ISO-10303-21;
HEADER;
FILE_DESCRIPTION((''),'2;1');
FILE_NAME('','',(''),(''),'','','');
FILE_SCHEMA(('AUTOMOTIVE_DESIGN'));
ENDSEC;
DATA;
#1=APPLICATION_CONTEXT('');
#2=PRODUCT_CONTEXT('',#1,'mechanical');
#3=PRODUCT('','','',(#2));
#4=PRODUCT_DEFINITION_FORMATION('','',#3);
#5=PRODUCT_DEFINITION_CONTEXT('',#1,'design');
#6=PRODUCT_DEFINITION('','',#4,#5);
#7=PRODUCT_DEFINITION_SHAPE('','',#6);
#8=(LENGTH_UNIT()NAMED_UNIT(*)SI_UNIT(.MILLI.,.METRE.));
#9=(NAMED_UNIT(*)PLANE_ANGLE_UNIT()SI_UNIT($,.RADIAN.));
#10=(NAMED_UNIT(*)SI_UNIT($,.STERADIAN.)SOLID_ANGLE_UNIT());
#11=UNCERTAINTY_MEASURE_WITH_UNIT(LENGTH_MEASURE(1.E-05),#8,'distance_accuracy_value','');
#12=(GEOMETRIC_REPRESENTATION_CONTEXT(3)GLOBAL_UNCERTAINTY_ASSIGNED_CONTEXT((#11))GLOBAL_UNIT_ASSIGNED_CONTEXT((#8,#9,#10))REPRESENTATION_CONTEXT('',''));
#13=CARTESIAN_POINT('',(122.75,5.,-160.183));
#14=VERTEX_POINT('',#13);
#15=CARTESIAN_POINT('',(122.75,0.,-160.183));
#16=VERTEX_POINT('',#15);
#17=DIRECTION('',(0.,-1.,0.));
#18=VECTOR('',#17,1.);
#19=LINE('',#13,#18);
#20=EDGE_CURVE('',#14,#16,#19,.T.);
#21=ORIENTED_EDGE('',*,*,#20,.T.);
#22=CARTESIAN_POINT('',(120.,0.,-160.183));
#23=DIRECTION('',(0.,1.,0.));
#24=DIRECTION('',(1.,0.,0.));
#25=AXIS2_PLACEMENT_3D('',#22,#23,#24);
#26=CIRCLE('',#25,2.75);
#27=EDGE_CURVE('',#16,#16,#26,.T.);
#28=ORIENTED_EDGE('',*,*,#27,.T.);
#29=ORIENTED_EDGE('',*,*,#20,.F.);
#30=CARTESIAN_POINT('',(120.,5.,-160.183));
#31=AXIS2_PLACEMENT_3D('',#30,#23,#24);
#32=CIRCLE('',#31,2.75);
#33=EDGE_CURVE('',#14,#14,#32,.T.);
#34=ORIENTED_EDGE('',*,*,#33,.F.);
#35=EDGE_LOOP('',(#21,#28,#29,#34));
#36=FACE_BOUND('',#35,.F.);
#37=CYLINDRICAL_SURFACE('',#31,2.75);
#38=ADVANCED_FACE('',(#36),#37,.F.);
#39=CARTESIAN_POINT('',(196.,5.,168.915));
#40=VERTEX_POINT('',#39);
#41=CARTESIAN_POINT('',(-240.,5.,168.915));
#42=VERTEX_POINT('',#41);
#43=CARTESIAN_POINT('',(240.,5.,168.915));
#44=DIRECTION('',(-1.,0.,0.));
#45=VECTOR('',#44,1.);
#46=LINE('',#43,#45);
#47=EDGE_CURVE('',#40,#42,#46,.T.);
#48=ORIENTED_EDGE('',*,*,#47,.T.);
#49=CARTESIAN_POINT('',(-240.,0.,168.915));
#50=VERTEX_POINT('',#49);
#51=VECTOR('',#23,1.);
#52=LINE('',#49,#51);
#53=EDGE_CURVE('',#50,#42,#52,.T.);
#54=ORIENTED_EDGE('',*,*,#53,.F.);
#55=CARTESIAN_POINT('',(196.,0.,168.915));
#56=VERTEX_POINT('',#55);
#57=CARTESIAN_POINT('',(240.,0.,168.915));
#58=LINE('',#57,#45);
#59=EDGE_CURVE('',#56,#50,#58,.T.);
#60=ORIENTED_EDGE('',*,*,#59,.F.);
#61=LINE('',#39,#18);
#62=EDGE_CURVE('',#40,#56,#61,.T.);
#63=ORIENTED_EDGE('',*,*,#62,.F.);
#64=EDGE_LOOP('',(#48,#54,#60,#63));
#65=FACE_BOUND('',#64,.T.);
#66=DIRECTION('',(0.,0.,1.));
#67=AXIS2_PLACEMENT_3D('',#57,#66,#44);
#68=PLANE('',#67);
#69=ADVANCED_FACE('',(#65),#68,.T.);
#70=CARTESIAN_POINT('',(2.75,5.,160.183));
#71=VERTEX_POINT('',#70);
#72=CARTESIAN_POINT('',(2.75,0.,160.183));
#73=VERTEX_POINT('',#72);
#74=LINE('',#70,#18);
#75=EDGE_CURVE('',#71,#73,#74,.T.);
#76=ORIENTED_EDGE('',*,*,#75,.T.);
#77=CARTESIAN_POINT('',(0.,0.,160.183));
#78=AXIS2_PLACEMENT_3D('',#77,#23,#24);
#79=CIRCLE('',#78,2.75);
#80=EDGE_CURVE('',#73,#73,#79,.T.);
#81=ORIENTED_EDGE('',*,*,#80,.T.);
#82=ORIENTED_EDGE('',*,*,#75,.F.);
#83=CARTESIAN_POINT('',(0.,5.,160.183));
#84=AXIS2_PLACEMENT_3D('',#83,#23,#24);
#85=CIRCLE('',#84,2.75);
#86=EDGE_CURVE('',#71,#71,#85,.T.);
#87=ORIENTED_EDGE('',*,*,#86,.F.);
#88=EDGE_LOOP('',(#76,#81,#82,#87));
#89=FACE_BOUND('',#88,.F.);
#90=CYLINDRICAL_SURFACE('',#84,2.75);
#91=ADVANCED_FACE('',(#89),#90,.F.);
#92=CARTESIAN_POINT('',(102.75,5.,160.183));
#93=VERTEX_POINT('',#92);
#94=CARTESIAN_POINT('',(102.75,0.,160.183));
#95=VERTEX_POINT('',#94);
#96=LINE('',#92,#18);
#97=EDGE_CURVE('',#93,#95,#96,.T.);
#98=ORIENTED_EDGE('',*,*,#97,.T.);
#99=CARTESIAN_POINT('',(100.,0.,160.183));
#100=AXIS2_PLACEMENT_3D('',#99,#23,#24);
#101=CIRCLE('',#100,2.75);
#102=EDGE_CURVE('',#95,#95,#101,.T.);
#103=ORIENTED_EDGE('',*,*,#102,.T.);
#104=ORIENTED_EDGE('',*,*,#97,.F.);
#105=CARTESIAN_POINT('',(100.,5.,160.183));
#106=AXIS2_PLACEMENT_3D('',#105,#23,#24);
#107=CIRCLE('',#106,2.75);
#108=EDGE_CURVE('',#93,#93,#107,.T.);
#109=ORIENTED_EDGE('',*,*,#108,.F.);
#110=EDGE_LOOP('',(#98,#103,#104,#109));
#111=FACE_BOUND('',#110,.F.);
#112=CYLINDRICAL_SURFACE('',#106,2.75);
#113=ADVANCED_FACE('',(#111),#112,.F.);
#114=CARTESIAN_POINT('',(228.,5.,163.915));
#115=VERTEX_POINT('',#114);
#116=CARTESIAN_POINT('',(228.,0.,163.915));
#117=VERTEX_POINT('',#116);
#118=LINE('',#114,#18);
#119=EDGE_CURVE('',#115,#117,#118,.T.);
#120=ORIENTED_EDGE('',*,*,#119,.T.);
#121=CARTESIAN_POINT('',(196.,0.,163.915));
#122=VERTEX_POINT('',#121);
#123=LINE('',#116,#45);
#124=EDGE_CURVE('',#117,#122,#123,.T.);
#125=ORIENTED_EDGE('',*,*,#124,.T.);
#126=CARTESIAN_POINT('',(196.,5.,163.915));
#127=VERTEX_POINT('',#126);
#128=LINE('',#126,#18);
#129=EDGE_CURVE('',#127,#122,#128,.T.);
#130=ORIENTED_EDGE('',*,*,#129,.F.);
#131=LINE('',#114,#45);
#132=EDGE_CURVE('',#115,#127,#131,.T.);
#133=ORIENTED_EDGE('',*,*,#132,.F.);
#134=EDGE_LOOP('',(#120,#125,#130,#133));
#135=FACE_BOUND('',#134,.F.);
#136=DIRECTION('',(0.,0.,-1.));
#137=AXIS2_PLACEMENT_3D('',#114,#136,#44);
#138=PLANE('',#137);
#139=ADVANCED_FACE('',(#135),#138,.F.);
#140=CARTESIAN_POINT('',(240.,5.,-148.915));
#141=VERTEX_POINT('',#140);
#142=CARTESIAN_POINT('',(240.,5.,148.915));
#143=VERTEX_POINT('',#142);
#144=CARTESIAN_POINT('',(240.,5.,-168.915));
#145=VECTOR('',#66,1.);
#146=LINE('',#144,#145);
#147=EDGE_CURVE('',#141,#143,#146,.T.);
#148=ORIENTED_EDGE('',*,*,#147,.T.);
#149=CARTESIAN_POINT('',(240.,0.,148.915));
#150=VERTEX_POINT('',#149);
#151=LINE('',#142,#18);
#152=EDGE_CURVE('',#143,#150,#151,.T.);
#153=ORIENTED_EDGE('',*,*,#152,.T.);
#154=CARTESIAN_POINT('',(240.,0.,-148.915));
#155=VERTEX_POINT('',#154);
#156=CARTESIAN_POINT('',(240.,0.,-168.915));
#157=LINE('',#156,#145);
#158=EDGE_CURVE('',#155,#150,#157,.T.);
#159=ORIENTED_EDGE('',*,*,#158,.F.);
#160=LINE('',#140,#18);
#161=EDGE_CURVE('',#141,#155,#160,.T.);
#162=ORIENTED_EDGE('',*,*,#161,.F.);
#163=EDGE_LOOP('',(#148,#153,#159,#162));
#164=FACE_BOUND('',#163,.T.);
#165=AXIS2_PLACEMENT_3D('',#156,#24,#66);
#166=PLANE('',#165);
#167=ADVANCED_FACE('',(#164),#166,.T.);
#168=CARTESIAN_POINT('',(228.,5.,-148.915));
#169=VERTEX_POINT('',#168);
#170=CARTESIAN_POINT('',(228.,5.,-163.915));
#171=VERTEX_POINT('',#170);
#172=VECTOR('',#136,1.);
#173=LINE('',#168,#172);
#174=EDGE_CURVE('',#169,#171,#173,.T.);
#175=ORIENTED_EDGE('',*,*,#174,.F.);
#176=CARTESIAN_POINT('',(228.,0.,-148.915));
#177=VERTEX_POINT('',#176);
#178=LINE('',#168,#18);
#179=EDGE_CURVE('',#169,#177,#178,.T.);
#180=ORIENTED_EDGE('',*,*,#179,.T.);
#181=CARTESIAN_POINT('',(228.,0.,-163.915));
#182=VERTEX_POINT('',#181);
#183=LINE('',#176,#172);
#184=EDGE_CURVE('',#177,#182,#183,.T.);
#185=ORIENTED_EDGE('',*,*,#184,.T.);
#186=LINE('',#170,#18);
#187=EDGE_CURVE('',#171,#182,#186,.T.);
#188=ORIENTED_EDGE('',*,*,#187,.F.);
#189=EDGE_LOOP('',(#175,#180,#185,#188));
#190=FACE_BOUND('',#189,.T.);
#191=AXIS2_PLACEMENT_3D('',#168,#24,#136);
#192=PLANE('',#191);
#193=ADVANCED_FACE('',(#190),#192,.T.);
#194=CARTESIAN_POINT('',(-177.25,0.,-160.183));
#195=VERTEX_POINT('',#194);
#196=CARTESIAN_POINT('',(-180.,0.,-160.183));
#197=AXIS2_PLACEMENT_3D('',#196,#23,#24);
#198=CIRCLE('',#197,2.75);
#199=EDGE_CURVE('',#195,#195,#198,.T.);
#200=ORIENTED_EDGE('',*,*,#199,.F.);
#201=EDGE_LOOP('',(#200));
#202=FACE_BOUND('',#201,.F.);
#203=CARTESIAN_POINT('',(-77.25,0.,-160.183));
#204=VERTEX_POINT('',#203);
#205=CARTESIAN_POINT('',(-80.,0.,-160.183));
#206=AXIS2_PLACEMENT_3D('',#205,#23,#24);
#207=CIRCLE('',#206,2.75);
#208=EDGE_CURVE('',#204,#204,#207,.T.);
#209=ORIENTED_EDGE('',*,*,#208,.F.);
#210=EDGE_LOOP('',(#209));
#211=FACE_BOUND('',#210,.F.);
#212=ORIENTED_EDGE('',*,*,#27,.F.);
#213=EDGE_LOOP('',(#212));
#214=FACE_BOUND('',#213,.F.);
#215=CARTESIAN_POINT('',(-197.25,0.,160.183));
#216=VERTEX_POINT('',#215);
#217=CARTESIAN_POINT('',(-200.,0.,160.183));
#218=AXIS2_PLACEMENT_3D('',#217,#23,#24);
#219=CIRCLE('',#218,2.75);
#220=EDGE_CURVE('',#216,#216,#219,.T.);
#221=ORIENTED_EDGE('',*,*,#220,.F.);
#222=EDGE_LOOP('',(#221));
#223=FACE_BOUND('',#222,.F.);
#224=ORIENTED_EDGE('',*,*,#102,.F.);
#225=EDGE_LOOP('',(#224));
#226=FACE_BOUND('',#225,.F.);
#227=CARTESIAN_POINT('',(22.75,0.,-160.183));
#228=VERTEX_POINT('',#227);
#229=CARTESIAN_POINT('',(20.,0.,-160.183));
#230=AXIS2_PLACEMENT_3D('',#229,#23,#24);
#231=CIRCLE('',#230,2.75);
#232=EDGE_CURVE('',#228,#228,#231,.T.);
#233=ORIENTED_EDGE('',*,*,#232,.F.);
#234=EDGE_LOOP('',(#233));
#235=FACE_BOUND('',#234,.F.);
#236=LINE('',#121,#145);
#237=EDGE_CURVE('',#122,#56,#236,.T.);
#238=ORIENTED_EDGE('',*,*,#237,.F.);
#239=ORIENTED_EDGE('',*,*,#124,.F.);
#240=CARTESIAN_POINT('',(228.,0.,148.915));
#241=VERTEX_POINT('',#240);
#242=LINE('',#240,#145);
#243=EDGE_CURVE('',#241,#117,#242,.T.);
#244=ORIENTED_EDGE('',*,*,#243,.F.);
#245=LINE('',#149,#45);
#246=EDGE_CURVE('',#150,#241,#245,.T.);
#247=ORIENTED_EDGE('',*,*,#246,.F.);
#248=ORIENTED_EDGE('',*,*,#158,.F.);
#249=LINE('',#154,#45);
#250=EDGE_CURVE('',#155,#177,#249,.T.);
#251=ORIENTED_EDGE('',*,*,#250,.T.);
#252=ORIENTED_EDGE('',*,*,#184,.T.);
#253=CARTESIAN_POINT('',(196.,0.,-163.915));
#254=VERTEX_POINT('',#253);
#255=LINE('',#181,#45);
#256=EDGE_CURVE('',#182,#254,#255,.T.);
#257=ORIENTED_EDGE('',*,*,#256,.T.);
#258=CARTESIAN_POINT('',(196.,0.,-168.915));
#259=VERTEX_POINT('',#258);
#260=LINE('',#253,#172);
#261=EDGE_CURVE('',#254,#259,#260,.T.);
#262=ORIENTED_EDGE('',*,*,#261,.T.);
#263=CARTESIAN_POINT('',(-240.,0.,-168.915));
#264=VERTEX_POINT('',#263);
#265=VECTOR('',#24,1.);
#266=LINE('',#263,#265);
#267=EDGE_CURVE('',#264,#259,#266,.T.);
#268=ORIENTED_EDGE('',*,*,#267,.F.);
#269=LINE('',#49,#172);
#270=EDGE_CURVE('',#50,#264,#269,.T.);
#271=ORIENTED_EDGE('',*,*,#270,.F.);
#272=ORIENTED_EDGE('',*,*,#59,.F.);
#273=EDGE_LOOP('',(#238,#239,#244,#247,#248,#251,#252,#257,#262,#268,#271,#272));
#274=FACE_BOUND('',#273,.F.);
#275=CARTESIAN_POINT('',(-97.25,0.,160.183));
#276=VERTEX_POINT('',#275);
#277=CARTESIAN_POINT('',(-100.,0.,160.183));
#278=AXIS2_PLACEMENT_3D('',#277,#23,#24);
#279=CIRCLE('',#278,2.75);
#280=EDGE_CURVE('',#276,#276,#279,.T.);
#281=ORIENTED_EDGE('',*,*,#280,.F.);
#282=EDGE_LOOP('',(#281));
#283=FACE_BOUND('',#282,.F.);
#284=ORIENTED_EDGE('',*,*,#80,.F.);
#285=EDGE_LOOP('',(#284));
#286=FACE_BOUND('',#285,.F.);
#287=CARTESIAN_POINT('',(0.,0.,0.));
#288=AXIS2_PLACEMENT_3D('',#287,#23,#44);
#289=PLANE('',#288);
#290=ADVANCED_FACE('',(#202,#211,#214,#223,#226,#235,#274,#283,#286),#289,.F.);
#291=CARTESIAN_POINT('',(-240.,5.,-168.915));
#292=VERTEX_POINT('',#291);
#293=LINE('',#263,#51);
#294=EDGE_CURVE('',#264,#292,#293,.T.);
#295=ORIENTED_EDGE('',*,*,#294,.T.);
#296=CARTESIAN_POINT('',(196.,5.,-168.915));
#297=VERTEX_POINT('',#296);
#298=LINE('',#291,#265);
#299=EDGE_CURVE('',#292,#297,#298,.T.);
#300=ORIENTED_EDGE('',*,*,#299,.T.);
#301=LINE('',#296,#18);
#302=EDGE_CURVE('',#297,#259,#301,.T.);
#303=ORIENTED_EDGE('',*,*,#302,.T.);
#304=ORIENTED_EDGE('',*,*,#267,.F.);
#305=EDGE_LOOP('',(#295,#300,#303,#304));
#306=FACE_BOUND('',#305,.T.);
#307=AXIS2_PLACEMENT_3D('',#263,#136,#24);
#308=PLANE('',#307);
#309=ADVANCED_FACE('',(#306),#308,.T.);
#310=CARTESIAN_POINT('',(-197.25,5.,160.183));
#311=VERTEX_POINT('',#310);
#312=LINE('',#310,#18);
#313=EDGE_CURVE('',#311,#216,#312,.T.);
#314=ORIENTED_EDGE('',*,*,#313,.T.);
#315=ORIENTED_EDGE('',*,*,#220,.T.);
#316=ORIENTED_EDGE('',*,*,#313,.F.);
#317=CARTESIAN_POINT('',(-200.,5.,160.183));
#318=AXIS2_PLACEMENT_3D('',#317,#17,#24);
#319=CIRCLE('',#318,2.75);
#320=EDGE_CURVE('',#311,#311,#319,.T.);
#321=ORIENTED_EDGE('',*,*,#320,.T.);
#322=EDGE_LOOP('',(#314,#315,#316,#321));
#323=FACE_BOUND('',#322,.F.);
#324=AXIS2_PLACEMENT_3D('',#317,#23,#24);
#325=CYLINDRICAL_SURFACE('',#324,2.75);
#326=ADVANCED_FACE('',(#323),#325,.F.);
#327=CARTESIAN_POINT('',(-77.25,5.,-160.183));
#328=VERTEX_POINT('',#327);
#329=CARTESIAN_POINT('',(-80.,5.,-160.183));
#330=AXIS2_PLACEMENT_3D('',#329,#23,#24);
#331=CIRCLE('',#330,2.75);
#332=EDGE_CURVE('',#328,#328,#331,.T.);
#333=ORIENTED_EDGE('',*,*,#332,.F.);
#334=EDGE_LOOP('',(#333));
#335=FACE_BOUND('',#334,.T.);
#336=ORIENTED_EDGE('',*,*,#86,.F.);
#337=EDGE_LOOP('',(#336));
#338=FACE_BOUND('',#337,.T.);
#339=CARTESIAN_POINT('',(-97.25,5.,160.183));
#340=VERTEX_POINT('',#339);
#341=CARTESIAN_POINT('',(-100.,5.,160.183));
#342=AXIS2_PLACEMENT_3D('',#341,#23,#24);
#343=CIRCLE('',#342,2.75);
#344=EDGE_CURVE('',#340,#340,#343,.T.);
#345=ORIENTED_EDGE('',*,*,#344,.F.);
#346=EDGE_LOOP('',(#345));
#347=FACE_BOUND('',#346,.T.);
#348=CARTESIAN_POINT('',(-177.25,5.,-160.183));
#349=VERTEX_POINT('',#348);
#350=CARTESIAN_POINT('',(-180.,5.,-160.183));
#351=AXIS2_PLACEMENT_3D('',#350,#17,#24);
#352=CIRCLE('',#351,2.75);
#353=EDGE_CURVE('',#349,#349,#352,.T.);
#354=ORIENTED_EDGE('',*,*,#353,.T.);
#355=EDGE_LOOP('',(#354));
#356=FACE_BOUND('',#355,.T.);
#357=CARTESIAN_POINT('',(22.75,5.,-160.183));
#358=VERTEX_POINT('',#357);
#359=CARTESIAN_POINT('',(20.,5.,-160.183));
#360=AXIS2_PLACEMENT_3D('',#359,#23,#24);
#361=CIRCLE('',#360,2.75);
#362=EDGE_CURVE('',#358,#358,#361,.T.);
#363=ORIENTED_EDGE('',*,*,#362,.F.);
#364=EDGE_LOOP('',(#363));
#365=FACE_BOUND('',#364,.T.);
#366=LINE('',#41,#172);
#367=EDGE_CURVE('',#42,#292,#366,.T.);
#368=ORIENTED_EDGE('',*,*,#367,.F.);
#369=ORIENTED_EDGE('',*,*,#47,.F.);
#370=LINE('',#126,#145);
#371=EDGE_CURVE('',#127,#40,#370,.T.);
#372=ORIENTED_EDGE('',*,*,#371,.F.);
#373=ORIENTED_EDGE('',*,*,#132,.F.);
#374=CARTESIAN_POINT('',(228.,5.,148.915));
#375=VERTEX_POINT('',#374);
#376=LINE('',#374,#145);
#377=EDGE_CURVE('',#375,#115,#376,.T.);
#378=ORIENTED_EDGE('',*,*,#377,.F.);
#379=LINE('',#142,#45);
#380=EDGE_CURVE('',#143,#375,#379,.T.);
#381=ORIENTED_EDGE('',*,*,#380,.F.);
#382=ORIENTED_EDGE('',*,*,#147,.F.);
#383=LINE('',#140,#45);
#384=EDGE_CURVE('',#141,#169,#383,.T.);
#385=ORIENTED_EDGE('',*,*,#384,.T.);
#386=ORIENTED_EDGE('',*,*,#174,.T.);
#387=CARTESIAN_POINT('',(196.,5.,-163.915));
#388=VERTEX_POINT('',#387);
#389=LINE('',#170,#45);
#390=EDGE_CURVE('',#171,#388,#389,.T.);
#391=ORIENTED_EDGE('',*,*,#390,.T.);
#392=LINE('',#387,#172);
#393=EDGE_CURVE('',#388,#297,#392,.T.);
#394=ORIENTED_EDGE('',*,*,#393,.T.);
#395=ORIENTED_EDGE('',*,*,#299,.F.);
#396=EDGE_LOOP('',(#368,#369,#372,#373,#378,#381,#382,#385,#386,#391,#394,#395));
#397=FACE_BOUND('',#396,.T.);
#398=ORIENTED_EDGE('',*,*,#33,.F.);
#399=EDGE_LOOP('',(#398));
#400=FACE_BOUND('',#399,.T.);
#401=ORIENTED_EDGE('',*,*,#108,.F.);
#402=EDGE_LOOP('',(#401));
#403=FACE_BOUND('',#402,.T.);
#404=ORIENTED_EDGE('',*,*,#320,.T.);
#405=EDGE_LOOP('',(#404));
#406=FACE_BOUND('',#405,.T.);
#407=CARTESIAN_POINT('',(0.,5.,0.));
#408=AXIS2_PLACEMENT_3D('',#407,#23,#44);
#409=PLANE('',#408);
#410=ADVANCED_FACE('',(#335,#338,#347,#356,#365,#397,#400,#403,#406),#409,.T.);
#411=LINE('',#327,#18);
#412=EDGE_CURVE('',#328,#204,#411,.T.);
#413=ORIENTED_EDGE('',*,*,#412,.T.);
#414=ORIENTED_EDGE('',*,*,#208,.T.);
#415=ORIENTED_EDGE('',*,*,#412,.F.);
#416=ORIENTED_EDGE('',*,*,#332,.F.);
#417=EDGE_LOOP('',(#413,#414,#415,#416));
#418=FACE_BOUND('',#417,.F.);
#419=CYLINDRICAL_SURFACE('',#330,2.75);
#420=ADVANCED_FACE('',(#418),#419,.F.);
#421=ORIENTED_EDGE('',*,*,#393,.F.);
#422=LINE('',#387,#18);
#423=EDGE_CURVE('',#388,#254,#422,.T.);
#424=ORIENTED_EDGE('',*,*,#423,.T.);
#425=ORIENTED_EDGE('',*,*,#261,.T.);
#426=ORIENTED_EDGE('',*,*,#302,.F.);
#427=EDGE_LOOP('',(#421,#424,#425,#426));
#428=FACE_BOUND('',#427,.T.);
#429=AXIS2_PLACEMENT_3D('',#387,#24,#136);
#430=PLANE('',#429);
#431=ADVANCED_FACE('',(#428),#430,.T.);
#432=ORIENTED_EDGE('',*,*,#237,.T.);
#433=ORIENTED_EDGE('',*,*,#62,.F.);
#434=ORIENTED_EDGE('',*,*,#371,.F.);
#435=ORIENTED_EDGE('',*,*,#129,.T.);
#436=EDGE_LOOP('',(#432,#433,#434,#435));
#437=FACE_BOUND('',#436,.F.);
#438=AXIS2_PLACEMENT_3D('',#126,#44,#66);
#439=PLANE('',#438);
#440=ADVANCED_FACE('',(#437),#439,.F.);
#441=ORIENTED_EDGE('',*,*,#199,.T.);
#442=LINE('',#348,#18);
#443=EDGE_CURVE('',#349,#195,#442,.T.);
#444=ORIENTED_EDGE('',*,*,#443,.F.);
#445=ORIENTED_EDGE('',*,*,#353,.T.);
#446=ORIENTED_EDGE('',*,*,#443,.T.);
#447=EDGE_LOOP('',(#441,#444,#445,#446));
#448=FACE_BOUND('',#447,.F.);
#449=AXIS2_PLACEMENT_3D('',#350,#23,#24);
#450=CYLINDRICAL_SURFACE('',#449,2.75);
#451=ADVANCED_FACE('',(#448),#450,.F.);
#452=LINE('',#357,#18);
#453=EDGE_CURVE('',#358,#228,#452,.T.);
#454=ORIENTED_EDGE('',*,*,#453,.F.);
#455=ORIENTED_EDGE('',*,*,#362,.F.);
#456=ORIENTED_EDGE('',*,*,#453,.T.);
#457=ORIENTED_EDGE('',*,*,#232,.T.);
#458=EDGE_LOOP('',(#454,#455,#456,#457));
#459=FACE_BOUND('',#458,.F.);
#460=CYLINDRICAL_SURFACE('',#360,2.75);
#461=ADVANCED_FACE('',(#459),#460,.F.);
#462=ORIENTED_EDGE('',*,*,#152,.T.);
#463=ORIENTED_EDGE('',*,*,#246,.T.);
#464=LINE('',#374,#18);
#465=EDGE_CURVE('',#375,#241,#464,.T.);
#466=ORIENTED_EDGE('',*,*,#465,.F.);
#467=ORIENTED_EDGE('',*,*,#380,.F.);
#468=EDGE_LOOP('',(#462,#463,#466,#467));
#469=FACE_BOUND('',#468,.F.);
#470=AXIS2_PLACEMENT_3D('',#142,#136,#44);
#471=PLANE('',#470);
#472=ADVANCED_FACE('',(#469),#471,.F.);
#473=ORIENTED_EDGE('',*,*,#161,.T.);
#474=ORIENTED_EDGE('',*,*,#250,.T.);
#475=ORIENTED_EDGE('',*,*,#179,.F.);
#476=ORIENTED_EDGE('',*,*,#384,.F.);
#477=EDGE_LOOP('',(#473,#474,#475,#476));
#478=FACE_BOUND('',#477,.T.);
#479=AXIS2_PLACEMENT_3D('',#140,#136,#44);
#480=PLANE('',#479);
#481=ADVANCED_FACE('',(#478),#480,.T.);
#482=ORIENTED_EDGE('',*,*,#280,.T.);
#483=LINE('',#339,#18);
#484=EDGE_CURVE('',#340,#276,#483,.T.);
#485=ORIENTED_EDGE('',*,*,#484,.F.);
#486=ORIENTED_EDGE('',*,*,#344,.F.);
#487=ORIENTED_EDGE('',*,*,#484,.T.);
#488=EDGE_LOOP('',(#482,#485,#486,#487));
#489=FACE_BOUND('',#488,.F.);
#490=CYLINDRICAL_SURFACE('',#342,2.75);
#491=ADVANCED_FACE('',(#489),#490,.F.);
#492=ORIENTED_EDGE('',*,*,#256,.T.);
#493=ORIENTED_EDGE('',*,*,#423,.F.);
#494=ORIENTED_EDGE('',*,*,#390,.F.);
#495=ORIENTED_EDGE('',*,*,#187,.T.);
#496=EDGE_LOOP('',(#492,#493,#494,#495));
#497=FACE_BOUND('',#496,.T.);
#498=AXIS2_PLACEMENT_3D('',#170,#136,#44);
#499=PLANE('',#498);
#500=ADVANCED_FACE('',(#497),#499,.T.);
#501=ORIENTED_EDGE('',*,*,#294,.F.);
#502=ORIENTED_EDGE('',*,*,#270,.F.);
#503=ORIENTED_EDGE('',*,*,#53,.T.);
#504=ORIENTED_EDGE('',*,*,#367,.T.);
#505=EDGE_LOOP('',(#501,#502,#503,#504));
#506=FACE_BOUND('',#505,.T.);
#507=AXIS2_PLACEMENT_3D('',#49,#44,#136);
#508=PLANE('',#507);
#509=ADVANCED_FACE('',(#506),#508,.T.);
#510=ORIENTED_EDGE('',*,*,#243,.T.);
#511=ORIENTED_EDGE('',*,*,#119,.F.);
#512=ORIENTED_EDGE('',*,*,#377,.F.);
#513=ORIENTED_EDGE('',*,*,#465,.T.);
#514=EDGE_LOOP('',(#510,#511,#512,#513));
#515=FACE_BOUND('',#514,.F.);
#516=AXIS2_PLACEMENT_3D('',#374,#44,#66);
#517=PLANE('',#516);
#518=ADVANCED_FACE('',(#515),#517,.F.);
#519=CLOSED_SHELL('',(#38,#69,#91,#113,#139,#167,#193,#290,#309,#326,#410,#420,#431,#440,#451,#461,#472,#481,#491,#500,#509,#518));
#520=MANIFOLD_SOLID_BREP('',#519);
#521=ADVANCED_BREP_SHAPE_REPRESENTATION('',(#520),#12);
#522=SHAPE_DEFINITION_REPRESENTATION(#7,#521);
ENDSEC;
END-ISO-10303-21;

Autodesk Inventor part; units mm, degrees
ref_plane "YZ Plane" through (0, 0, 0) normal (1, 0, 0) x (0, 1, 0)
ref_plane "XZ Plane" through (0, 0, 0) normal (0, 1, 0) x (-1, 0, 0)
ref_plane "XY Plane" through (0, 0, 0) normal (0, 0, 1) x (1, 0, 0)
sketch "Sketch1" plane through (0, 0, 0) normal (0, 1, 0) x (-1, 0, 0)
  line L0 (-240, 168.915) -> (240, 168.915)
  line L1 (240, 168.915) -> (240, -168.915)
  line L2 (240, -168.915) -> (-240, -168.915)
  line L3 (-240, -168.915) -> (-240, 168.915)
  line L4 (-240, 168.915) -> (240, -168.915) construction
  line L5 (240, 168.915) -> (-240, -168.915) construction
  point P0 (0, 0)
  dimension "d0" = 480
  dimension "d1" = 337.83
extrude "Extrusion1" add sketch "Sketch1" along normal blind 5
sketch "Sketch2" plane through (0, 5, 0) normal (0, 1, 0) x (1, 0, 0)
  line L0 (240, -168.915) -> (240, 168.915) projected
  line L1 (240, -168.915) -> (240, -148.915)
  line L2 (240, -148.915) -> (228, -148.915)
  line L3 (-240, -168.915) -> (240, -168.915) projected
  line L4 (228, -168.915) -> (228, -163.915)
  line L5 (228, -168.915) -> (233, -168.915) construction
  line L6 (228, -148.915) -> (228, -163.915)
  line L7 (228, -163.915) -> (196, -163.915)
  line L8 (196, -163.915) -> (196, -168.915)
  line L9 (196, -168.915) -> (240, -168.915)
  line L10 (240, 0) -> (160.3142, 0)
  line L11 (240, 168.915) -> (240, 148.915)
  line L12 (240, 148.915) -> (228, 148.915)
  line L13 (228, 168.915) -> (228, 163.915)
  line L14 (228, 168.915) -> (233, 168.915) construction
  line L15 (228, 148.915) -> (228, 163.915)
  line L16 (228, 163.915) -> (196, 163.915)
  line L17 (196, 163.915) -> (196, 168.915)
  line L18 (196, 168.915) -> (240, 168.915)
  point P0 (0, 0)
  dimension "d4" = 20
  dimension "d5" = 12
  dimension "d6" = 5
  dimension "d7" = 90
  dimension "d8" = 15
  dimension "d9" = 32
extrude "Extrusion2" cut sketch "Sketch2" against normal blind 5
sketch "Sketch4" plane through (0, 5, 0) normal (0, 1, 0) x (1, 0, 0)
  line L0 (-240, -168.915) -> (196, -168.915) projected
  line L1 (-240, -168.915) -> (-200, -168.915)
  line L2 (-200, -168.915) -> (-200, -160.183)
  circle A0 centre (-200, -160.183) radius 2.75
  circle A1 centre (-100, -160.183) radius 2.75
  circle A2 centre (0, -160.183) radius 2.75
  circle A3 centre (100, -160.183) radius 2.75
  line L3 (196, 168.915) -> (-240, 168.915) projected
  line L4 (-240, 168.915) -> (-180, 168.915)
  line L5 (-180, 168.915) -> (-180, 160.183)
  circle A4 centre (-180, 160.183) radius 2.75
  circle A5 centre (-80, 160.183) radius 2.75
  circle A6 centre (20, 160.183) radius 2.75
  circle A7 centre (120, 160.183) radius 2.75
  point P0 (0, 0)
  dimension "d14" = 40
  dimension "d15" = 8.732
  dimension "d16" = 5.5
  dimension "d19" = 100
  dimension "d24" = 60
  dimension "d25" = 8.732
  dimension "d26" = 5.5
  dimension "d29" = 100
extrude "Extrusion3" cut sketch "Sketch4" against normal blind 10
properties part number "Acrylic_Panel"
